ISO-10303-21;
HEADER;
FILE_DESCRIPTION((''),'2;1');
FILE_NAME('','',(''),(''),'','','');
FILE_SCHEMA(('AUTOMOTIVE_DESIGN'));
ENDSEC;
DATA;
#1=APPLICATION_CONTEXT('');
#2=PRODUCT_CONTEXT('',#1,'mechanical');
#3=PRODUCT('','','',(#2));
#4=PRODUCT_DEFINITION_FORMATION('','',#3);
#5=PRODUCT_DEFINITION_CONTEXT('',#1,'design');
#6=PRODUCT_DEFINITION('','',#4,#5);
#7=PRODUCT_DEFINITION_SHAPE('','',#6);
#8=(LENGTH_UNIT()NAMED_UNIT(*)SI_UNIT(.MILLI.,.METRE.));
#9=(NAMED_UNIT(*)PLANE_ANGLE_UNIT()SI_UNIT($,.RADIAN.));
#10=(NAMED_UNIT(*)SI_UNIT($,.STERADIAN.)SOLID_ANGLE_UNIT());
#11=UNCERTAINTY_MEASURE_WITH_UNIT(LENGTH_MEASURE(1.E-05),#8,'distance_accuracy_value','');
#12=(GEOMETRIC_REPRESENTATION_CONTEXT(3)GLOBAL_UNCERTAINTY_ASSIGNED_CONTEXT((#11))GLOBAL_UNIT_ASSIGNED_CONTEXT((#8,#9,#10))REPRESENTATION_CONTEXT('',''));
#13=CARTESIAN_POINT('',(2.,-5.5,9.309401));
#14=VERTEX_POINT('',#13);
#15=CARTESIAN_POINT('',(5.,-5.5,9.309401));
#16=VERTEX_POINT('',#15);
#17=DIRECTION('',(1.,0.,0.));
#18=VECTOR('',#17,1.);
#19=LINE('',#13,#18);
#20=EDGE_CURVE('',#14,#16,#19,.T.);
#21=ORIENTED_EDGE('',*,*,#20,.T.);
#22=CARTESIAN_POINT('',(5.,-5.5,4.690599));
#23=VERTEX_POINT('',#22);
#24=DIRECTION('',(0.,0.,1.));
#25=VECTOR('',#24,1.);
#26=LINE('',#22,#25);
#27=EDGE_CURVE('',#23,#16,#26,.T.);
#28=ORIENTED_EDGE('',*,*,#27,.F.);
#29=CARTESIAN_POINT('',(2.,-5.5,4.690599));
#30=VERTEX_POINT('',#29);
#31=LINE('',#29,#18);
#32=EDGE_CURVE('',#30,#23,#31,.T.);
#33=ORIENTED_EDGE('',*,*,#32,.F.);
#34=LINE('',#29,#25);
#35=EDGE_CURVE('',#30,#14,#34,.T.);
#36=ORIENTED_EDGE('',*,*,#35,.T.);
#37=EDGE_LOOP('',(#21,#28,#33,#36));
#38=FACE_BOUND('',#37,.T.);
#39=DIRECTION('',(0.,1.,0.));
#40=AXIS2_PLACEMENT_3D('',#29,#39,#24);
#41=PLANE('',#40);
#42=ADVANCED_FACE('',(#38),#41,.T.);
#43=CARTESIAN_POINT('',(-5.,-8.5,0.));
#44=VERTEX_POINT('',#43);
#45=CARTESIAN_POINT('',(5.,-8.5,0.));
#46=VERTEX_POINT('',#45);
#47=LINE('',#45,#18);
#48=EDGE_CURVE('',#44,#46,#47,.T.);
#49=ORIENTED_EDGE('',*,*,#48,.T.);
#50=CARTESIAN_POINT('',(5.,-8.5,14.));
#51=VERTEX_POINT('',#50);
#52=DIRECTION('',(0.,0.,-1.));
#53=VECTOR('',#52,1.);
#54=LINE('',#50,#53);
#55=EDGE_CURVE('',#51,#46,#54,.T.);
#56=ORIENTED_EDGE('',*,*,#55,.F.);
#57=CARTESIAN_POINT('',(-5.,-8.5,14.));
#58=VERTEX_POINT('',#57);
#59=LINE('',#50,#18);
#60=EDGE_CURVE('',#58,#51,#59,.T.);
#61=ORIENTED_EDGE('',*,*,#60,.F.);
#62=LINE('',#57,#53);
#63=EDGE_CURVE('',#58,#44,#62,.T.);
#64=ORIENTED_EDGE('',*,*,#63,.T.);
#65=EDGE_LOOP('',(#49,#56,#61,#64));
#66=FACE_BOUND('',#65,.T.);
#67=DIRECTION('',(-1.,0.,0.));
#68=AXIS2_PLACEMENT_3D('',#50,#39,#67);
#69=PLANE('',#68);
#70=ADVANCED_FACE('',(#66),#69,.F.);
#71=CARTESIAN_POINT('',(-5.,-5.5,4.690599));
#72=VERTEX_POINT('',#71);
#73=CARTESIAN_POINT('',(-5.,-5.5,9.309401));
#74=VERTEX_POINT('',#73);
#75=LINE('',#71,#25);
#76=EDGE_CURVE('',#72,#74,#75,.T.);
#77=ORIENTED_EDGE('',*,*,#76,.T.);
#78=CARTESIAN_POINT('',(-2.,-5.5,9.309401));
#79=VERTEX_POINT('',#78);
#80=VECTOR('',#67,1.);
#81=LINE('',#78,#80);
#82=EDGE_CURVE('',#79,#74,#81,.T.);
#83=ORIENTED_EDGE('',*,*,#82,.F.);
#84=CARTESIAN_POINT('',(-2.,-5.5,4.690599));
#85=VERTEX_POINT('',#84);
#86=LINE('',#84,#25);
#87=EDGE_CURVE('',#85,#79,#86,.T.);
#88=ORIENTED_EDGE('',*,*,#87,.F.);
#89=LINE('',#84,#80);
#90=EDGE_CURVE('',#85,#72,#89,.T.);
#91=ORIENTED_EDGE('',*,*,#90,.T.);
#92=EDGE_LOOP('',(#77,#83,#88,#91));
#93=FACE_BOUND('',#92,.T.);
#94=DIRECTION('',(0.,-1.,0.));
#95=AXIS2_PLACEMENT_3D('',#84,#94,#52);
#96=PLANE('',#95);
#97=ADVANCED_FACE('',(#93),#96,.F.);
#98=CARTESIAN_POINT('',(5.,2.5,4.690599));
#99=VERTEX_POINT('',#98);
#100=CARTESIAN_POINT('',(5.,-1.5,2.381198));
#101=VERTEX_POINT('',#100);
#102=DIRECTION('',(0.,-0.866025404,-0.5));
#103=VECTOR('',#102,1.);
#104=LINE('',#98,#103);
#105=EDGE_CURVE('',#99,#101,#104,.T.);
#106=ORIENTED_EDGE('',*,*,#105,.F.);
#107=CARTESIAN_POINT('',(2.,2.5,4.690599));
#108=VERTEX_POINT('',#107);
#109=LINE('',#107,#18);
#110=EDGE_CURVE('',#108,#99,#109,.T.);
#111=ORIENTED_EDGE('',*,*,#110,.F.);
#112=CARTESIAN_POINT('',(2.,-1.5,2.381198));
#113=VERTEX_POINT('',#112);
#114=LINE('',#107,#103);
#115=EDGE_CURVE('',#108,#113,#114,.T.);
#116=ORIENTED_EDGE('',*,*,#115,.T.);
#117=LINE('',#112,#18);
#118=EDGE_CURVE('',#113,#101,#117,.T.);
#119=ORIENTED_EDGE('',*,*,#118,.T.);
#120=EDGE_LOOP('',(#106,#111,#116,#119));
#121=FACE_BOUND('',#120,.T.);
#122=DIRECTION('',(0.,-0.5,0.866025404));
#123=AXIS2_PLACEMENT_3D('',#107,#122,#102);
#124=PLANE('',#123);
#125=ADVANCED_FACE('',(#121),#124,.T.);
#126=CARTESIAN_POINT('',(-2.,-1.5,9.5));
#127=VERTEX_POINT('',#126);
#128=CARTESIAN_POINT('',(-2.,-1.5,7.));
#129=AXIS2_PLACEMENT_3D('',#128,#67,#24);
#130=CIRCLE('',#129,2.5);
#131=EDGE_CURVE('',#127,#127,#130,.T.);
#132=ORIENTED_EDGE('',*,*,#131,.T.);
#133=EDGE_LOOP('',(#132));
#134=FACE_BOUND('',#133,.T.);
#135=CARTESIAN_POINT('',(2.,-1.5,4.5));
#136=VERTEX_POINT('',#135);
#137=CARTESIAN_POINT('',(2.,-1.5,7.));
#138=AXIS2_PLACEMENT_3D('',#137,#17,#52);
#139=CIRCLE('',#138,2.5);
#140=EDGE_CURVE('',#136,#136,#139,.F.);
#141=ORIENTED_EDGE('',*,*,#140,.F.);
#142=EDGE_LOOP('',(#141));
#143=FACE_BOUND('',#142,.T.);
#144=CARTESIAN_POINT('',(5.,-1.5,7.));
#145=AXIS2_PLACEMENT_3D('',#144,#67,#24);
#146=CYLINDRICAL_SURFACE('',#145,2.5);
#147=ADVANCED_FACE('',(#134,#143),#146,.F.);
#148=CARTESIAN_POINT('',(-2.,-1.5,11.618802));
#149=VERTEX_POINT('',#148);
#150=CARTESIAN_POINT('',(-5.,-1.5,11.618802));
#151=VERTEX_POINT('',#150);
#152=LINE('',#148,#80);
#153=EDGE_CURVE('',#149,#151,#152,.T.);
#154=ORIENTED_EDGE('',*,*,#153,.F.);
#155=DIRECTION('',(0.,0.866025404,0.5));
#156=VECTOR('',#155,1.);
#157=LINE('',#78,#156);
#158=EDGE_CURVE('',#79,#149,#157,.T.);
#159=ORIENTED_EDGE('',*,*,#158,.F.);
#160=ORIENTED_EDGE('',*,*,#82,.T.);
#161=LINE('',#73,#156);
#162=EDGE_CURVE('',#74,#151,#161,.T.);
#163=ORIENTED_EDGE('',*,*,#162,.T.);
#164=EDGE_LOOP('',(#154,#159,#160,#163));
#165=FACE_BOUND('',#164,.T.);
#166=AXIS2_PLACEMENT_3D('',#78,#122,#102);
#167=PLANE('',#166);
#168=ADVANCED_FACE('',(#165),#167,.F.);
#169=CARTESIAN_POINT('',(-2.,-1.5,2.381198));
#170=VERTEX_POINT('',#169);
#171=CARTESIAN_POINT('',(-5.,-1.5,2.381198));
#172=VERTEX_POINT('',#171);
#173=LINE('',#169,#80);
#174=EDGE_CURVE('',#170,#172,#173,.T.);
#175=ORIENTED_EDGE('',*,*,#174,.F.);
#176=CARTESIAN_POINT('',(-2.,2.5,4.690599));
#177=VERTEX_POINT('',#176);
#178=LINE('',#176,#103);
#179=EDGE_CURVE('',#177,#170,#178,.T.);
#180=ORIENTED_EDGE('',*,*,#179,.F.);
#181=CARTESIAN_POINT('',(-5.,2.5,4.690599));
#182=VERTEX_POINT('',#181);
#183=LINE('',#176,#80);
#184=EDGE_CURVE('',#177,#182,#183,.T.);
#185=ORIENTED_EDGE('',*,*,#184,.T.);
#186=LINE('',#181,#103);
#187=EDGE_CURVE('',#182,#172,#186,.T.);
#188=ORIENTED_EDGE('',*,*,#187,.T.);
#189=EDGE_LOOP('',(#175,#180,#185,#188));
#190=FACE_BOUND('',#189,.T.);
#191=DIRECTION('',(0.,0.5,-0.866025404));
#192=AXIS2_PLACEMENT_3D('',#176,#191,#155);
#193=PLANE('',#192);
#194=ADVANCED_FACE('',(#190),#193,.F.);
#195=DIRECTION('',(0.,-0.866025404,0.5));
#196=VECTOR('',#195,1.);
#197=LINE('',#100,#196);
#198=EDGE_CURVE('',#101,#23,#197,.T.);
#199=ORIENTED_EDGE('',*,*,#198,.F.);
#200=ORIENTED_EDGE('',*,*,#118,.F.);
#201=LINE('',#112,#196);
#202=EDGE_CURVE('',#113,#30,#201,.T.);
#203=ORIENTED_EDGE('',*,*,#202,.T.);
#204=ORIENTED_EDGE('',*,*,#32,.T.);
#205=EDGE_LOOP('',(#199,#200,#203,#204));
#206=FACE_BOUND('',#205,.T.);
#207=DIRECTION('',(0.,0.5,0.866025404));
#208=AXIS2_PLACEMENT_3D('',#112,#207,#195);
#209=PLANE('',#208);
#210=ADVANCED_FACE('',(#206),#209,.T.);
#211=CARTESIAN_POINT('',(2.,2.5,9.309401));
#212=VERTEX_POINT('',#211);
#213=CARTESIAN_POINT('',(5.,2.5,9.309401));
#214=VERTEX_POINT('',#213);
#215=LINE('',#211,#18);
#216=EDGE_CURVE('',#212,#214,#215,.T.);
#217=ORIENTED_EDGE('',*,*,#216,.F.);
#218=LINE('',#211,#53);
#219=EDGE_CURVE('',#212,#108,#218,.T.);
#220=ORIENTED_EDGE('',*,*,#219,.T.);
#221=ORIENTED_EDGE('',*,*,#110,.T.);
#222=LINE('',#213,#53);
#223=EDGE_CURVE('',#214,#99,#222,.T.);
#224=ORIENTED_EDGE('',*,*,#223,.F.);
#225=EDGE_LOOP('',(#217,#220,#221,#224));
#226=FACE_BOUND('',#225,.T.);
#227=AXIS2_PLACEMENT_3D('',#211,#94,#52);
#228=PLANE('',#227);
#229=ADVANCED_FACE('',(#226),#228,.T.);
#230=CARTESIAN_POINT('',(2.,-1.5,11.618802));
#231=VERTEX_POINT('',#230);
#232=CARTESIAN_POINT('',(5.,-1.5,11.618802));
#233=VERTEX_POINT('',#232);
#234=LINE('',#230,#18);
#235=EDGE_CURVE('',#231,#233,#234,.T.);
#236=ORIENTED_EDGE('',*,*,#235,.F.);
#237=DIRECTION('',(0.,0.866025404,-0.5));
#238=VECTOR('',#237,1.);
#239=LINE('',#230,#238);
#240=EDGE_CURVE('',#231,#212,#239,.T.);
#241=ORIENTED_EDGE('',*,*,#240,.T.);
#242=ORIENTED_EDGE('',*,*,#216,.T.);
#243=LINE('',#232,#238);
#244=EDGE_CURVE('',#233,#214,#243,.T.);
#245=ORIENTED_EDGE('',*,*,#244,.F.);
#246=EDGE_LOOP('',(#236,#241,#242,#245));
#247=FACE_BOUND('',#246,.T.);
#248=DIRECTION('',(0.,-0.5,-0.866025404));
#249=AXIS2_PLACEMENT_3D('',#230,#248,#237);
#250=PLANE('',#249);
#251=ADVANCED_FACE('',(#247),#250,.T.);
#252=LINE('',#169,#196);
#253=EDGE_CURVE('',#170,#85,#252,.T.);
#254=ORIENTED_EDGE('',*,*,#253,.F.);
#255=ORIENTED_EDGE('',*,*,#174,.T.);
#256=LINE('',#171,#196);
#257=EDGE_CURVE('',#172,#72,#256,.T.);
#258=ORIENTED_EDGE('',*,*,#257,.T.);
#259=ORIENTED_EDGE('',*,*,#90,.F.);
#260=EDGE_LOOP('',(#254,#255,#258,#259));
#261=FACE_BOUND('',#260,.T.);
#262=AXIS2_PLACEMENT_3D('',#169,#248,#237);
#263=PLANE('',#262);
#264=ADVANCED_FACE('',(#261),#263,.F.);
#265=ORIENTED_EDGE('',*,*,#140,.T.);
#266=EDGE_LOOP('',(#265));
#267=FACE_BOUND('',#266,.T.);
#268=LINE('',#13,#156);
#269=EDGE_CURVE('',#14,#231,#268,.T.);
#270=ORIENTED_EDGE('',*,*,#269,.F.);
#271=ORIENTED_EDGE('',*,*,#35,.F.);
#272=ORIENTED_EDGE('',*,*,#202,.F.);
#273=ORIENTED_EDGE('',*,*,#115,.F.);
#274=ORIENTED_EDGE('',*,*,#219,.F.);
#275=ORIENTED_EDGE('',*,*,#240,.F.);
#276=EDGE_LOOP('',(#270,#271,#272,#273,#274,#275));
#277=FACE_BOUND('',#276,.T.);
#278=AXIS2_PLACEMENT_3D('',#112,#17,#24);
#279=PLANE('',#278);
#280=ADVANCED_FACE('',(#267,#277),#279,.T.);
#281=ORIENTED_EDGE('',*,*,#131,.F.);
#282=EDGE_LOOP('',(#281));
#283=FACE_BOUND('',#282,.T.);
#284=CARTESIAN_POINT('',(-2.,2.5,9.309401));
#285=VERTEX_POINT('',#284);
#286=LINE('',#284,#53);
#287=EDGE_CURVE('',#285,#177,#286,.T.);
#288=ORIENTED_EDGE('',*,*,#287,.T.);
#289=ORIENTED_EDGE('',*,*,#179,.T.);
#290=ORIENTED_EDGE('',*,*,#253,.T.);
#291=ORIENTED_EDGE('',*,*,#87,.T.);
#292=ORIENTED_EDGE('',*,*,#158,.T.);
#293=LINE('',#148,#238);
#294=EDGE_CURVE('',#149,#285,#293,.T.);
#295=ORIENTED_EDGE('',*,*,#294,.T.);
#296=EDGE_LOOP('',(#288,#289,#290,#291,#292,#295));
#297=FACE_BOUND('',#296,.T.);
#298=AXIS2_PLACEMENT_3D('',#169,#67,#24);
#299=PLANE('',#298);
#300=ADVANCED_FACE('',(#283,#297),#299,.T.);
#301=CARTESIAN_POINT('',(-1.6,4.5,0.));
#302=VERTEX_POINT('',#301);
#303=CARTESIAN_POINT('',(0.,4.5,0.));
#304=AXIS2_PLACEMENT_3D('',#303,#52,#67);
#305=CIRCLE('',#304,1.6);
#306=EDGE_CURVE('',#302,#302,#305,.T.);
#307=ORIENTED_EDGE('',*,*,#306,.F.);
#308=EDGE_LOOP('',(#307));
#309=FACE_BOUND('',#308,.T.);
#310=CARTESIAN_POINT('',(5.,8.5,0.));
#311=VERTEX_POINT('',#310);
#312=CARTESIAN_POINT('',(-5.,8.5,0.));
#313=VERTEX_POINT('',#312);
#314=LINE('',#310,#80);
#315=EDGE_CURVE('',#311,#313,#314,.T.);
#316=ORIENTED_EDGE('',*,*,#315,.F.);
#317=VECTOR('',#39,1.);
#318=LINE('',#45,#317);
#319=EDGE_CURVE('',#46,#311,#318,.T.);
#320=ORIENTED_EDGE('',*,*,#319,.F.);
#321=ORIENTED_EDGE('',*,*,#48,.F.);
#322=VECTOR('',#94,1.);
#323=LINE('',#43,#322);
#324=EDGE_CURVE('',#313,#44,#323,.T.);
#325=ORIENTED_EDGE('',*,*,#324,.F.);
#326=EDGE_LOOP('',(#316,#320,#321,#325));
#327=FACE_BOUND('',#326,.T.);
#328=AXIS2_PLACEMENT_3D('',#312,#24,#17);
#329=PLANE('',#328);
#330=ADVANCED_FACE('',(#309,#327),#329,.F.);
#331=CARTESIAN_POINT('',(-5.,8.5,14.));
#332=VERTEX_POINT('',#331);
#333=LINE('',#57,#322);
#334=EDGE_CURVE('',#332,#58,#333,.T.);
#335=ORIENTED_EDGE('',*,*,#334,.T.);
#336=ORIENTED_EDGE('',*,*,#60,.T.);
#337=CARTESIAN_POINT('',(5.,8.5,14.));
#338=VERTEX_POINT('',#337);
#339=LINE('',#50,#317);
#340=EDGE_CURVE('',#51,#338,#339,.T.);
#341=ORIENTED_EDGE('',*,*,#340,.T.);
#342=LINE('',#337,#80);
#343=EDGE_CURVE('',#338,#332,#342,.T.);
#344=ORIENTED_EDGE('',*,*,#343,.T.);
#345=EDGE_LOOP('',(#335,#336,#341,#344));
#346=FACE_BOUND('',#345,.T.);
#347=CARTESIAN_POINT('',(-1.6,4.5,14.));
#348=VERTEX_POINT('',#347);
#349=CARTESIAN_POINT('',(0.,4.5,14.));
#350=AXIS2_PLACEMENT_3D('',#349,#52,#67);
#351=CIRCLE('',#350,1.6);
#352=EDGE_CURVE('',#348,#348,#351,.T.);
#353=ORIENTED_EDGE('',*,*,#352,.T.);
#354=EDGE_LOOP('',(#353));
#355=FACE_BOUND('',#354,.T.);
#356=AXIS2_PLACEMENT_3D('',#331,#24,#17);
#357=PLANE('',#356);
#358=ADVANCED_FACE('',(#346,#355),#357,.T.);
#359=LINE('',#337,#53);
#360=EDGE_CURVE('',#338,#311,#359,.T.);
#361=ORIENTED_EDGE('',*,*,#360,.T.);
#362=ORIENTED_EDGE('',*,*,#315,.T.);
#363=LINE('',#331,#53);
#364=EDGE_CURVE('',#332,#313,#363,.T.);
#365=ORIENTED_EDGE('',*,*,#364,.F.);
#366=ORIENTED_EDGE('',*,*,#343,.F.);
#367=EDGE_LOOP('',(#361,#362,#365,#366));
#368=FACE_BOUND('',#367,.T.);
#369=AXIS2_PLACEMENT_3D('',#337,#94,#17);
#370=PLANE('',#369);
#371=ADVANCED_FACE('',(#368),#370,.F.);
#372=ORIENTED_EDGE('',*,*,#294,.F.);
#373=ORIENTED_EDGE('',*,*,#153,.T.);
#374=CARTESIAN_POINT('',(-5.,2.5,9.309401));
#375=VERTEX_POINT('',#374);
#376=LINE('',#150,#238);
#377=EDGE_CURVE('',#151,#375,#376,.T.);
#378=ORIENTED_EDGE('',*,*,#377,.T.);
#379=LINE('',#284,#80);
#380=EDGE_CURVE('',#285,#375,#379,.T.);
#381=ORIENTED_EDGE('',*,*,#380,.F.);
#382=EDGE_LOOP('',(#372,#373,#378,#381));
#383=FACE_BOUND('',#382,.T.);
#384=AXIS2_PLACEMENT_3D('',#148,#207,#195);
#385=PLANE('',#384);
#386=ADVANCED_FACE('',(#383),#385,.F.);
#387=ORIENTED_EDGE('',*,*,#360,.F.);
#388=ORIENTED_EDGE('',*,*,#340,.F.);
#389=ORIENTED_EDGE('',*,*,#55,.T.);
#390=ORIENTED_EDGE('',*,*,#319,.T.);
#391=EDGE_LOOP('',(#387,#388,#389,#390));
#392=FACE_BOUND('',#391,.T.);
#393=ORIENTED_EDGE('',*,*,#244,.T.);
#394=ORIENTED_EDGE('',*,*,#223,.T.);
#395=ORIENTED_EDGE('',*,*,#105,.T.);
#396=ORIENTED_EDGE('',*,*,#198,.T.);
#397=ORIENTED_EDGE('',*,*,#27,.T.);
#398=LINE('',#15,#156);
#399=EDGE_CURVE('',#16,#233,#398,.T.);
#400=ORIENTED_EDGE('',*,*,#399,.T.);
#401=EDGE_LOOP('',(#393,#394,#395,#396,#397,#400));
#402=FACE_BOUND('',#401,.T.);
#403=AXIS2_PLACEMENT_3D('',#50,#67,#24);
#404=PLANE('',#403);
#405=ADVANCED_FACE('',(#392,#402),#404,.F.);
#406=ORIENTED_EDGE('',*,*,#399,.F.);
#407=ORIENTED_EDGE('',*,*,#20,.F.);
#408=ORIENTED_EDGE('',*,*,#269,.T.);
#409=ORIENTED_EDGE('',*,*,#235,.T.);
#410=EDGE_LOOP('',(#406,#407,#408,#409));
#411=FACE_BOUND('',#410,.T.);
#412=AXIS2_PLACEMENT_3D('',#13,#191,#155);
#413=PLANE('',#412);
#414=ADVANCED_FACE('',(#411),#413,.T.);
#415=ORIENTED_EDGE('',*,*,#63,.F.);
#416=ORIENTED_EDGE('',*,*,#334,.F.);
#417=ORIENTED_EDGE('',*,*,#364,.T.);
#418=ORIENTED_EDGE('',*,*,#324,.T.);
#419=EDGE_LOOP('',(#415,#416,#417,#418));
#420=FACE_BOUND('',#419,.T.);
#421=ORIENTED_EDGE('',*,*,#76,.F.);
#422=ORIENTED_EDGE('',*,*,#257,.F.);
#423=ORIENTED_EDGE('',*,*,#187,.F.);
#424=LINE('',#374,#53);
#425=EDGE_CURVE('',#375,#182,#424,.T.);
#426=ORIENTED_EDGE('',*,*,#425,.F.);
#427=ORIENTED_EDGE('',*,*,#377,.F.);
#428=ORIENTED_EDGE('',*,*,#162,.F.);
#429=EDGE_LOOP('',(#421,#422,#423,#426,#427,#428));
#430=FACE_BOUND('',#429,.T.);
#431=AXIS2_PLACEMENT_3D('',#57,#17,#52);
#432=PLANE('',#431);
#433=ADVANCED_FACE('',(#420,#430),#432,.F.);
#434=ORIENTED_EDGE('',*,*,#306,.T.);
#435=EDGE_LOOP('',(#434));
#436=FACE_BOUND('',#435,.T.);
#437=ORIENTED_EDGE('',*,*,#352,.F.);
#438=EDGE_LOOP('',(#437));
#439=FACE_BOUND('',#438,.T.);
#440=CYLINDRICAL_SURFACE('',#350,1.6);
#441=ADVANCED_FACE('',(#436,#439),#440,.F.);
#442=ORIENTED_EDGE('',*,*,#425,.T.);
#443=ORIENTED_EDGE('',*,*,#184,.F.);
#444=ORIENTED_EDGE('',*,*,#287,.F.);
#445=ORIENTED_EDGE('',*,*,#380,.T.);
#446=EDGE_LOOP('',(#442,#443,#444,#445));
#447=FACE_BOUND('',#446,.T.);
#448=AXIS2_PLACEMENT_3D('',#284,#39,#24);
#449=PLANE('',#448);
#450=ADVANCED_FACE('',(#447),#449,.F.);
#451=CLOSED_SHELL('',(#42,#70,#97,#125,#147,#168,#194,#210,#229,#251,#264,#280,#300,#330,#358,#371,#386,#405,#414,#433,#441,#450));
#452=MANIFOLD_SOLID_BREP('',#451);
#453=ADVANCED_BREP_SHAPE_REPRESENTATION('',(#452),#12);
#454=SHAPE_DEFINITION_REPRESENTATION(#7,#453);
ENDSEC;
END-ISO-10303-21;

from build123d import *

# Parameters (mm, degrees)
SKETCH1_W           = 10
SKETCH1_H           = 17
BOSS_EXTRUDE1_DEPTH = 14
SKETCH2_R           = 1.6
CUT_EXTRUDE1_DEPTH  = 15
CUT_EXTRUDE2_DEPTH  = 3
SKETCH5_R           = 2.5
CUT_EXTRUDE3_DEPTH  = 8


with BuildPart() as part:
    # Sketch1 → Boss-Extrude1 (new body)
    with BuildSketch(Plane.XY):
        Rectangle(SKETCH1_W, SKETCH1_H)
    extrude(amount=BOSS_EXTRUDE1_DEPTH)

    # Sketch2 → Cut-Extrude1 (cut, through all)
    with BuildSketch(Plane(origin=(0, 0, 0), x_dir=(-1, 0, 0), z_dir=(0, 0, -1))):
        with Locations((0, 4.5)):
            Circle(SKETCH2_R)
    extrude(amount=-CUT_EXTRUDE1_DEPTH, mode=Mode.SUBTRACT)

    # Sketch3 → Cut-Extrude2 (cut)
    with BuildSketch(Plane.ZY.offset(5)):
        Polygon((2.381197846, -1.5), (4.690598923, -5.5), (9.309401077, -5.5), (11.618802154, -1.5), (9.309401077, 2.5), (4.690598923, 2.5), align=None)
    cut_extrude2 = extrude(amount=-CUT_EXTRUDE2_DEPTH, mode=Mode.SUBTRACT)

    # Sketch5 → Cut-Extrude3 (cut, through all)
    with BuildSketch(Plane.ZY.offset(2)):
        with Locations((7, -1.5)):
            Circle(SKETCH5_R)
    extrude(amount=-CUT_EXTRUDE3_DEPTH, mode=Mode.SUBTRACT)

    # Mirror1: Cut-Extrude2 across plane
    add(cut_extrude2.mirror(Plane(origin=(0, 0, 0), x_dir=(0, 0, 1), z_dir=(1, 0, 0))), mode=Mode.SUBTRACT)


solid = part.part
